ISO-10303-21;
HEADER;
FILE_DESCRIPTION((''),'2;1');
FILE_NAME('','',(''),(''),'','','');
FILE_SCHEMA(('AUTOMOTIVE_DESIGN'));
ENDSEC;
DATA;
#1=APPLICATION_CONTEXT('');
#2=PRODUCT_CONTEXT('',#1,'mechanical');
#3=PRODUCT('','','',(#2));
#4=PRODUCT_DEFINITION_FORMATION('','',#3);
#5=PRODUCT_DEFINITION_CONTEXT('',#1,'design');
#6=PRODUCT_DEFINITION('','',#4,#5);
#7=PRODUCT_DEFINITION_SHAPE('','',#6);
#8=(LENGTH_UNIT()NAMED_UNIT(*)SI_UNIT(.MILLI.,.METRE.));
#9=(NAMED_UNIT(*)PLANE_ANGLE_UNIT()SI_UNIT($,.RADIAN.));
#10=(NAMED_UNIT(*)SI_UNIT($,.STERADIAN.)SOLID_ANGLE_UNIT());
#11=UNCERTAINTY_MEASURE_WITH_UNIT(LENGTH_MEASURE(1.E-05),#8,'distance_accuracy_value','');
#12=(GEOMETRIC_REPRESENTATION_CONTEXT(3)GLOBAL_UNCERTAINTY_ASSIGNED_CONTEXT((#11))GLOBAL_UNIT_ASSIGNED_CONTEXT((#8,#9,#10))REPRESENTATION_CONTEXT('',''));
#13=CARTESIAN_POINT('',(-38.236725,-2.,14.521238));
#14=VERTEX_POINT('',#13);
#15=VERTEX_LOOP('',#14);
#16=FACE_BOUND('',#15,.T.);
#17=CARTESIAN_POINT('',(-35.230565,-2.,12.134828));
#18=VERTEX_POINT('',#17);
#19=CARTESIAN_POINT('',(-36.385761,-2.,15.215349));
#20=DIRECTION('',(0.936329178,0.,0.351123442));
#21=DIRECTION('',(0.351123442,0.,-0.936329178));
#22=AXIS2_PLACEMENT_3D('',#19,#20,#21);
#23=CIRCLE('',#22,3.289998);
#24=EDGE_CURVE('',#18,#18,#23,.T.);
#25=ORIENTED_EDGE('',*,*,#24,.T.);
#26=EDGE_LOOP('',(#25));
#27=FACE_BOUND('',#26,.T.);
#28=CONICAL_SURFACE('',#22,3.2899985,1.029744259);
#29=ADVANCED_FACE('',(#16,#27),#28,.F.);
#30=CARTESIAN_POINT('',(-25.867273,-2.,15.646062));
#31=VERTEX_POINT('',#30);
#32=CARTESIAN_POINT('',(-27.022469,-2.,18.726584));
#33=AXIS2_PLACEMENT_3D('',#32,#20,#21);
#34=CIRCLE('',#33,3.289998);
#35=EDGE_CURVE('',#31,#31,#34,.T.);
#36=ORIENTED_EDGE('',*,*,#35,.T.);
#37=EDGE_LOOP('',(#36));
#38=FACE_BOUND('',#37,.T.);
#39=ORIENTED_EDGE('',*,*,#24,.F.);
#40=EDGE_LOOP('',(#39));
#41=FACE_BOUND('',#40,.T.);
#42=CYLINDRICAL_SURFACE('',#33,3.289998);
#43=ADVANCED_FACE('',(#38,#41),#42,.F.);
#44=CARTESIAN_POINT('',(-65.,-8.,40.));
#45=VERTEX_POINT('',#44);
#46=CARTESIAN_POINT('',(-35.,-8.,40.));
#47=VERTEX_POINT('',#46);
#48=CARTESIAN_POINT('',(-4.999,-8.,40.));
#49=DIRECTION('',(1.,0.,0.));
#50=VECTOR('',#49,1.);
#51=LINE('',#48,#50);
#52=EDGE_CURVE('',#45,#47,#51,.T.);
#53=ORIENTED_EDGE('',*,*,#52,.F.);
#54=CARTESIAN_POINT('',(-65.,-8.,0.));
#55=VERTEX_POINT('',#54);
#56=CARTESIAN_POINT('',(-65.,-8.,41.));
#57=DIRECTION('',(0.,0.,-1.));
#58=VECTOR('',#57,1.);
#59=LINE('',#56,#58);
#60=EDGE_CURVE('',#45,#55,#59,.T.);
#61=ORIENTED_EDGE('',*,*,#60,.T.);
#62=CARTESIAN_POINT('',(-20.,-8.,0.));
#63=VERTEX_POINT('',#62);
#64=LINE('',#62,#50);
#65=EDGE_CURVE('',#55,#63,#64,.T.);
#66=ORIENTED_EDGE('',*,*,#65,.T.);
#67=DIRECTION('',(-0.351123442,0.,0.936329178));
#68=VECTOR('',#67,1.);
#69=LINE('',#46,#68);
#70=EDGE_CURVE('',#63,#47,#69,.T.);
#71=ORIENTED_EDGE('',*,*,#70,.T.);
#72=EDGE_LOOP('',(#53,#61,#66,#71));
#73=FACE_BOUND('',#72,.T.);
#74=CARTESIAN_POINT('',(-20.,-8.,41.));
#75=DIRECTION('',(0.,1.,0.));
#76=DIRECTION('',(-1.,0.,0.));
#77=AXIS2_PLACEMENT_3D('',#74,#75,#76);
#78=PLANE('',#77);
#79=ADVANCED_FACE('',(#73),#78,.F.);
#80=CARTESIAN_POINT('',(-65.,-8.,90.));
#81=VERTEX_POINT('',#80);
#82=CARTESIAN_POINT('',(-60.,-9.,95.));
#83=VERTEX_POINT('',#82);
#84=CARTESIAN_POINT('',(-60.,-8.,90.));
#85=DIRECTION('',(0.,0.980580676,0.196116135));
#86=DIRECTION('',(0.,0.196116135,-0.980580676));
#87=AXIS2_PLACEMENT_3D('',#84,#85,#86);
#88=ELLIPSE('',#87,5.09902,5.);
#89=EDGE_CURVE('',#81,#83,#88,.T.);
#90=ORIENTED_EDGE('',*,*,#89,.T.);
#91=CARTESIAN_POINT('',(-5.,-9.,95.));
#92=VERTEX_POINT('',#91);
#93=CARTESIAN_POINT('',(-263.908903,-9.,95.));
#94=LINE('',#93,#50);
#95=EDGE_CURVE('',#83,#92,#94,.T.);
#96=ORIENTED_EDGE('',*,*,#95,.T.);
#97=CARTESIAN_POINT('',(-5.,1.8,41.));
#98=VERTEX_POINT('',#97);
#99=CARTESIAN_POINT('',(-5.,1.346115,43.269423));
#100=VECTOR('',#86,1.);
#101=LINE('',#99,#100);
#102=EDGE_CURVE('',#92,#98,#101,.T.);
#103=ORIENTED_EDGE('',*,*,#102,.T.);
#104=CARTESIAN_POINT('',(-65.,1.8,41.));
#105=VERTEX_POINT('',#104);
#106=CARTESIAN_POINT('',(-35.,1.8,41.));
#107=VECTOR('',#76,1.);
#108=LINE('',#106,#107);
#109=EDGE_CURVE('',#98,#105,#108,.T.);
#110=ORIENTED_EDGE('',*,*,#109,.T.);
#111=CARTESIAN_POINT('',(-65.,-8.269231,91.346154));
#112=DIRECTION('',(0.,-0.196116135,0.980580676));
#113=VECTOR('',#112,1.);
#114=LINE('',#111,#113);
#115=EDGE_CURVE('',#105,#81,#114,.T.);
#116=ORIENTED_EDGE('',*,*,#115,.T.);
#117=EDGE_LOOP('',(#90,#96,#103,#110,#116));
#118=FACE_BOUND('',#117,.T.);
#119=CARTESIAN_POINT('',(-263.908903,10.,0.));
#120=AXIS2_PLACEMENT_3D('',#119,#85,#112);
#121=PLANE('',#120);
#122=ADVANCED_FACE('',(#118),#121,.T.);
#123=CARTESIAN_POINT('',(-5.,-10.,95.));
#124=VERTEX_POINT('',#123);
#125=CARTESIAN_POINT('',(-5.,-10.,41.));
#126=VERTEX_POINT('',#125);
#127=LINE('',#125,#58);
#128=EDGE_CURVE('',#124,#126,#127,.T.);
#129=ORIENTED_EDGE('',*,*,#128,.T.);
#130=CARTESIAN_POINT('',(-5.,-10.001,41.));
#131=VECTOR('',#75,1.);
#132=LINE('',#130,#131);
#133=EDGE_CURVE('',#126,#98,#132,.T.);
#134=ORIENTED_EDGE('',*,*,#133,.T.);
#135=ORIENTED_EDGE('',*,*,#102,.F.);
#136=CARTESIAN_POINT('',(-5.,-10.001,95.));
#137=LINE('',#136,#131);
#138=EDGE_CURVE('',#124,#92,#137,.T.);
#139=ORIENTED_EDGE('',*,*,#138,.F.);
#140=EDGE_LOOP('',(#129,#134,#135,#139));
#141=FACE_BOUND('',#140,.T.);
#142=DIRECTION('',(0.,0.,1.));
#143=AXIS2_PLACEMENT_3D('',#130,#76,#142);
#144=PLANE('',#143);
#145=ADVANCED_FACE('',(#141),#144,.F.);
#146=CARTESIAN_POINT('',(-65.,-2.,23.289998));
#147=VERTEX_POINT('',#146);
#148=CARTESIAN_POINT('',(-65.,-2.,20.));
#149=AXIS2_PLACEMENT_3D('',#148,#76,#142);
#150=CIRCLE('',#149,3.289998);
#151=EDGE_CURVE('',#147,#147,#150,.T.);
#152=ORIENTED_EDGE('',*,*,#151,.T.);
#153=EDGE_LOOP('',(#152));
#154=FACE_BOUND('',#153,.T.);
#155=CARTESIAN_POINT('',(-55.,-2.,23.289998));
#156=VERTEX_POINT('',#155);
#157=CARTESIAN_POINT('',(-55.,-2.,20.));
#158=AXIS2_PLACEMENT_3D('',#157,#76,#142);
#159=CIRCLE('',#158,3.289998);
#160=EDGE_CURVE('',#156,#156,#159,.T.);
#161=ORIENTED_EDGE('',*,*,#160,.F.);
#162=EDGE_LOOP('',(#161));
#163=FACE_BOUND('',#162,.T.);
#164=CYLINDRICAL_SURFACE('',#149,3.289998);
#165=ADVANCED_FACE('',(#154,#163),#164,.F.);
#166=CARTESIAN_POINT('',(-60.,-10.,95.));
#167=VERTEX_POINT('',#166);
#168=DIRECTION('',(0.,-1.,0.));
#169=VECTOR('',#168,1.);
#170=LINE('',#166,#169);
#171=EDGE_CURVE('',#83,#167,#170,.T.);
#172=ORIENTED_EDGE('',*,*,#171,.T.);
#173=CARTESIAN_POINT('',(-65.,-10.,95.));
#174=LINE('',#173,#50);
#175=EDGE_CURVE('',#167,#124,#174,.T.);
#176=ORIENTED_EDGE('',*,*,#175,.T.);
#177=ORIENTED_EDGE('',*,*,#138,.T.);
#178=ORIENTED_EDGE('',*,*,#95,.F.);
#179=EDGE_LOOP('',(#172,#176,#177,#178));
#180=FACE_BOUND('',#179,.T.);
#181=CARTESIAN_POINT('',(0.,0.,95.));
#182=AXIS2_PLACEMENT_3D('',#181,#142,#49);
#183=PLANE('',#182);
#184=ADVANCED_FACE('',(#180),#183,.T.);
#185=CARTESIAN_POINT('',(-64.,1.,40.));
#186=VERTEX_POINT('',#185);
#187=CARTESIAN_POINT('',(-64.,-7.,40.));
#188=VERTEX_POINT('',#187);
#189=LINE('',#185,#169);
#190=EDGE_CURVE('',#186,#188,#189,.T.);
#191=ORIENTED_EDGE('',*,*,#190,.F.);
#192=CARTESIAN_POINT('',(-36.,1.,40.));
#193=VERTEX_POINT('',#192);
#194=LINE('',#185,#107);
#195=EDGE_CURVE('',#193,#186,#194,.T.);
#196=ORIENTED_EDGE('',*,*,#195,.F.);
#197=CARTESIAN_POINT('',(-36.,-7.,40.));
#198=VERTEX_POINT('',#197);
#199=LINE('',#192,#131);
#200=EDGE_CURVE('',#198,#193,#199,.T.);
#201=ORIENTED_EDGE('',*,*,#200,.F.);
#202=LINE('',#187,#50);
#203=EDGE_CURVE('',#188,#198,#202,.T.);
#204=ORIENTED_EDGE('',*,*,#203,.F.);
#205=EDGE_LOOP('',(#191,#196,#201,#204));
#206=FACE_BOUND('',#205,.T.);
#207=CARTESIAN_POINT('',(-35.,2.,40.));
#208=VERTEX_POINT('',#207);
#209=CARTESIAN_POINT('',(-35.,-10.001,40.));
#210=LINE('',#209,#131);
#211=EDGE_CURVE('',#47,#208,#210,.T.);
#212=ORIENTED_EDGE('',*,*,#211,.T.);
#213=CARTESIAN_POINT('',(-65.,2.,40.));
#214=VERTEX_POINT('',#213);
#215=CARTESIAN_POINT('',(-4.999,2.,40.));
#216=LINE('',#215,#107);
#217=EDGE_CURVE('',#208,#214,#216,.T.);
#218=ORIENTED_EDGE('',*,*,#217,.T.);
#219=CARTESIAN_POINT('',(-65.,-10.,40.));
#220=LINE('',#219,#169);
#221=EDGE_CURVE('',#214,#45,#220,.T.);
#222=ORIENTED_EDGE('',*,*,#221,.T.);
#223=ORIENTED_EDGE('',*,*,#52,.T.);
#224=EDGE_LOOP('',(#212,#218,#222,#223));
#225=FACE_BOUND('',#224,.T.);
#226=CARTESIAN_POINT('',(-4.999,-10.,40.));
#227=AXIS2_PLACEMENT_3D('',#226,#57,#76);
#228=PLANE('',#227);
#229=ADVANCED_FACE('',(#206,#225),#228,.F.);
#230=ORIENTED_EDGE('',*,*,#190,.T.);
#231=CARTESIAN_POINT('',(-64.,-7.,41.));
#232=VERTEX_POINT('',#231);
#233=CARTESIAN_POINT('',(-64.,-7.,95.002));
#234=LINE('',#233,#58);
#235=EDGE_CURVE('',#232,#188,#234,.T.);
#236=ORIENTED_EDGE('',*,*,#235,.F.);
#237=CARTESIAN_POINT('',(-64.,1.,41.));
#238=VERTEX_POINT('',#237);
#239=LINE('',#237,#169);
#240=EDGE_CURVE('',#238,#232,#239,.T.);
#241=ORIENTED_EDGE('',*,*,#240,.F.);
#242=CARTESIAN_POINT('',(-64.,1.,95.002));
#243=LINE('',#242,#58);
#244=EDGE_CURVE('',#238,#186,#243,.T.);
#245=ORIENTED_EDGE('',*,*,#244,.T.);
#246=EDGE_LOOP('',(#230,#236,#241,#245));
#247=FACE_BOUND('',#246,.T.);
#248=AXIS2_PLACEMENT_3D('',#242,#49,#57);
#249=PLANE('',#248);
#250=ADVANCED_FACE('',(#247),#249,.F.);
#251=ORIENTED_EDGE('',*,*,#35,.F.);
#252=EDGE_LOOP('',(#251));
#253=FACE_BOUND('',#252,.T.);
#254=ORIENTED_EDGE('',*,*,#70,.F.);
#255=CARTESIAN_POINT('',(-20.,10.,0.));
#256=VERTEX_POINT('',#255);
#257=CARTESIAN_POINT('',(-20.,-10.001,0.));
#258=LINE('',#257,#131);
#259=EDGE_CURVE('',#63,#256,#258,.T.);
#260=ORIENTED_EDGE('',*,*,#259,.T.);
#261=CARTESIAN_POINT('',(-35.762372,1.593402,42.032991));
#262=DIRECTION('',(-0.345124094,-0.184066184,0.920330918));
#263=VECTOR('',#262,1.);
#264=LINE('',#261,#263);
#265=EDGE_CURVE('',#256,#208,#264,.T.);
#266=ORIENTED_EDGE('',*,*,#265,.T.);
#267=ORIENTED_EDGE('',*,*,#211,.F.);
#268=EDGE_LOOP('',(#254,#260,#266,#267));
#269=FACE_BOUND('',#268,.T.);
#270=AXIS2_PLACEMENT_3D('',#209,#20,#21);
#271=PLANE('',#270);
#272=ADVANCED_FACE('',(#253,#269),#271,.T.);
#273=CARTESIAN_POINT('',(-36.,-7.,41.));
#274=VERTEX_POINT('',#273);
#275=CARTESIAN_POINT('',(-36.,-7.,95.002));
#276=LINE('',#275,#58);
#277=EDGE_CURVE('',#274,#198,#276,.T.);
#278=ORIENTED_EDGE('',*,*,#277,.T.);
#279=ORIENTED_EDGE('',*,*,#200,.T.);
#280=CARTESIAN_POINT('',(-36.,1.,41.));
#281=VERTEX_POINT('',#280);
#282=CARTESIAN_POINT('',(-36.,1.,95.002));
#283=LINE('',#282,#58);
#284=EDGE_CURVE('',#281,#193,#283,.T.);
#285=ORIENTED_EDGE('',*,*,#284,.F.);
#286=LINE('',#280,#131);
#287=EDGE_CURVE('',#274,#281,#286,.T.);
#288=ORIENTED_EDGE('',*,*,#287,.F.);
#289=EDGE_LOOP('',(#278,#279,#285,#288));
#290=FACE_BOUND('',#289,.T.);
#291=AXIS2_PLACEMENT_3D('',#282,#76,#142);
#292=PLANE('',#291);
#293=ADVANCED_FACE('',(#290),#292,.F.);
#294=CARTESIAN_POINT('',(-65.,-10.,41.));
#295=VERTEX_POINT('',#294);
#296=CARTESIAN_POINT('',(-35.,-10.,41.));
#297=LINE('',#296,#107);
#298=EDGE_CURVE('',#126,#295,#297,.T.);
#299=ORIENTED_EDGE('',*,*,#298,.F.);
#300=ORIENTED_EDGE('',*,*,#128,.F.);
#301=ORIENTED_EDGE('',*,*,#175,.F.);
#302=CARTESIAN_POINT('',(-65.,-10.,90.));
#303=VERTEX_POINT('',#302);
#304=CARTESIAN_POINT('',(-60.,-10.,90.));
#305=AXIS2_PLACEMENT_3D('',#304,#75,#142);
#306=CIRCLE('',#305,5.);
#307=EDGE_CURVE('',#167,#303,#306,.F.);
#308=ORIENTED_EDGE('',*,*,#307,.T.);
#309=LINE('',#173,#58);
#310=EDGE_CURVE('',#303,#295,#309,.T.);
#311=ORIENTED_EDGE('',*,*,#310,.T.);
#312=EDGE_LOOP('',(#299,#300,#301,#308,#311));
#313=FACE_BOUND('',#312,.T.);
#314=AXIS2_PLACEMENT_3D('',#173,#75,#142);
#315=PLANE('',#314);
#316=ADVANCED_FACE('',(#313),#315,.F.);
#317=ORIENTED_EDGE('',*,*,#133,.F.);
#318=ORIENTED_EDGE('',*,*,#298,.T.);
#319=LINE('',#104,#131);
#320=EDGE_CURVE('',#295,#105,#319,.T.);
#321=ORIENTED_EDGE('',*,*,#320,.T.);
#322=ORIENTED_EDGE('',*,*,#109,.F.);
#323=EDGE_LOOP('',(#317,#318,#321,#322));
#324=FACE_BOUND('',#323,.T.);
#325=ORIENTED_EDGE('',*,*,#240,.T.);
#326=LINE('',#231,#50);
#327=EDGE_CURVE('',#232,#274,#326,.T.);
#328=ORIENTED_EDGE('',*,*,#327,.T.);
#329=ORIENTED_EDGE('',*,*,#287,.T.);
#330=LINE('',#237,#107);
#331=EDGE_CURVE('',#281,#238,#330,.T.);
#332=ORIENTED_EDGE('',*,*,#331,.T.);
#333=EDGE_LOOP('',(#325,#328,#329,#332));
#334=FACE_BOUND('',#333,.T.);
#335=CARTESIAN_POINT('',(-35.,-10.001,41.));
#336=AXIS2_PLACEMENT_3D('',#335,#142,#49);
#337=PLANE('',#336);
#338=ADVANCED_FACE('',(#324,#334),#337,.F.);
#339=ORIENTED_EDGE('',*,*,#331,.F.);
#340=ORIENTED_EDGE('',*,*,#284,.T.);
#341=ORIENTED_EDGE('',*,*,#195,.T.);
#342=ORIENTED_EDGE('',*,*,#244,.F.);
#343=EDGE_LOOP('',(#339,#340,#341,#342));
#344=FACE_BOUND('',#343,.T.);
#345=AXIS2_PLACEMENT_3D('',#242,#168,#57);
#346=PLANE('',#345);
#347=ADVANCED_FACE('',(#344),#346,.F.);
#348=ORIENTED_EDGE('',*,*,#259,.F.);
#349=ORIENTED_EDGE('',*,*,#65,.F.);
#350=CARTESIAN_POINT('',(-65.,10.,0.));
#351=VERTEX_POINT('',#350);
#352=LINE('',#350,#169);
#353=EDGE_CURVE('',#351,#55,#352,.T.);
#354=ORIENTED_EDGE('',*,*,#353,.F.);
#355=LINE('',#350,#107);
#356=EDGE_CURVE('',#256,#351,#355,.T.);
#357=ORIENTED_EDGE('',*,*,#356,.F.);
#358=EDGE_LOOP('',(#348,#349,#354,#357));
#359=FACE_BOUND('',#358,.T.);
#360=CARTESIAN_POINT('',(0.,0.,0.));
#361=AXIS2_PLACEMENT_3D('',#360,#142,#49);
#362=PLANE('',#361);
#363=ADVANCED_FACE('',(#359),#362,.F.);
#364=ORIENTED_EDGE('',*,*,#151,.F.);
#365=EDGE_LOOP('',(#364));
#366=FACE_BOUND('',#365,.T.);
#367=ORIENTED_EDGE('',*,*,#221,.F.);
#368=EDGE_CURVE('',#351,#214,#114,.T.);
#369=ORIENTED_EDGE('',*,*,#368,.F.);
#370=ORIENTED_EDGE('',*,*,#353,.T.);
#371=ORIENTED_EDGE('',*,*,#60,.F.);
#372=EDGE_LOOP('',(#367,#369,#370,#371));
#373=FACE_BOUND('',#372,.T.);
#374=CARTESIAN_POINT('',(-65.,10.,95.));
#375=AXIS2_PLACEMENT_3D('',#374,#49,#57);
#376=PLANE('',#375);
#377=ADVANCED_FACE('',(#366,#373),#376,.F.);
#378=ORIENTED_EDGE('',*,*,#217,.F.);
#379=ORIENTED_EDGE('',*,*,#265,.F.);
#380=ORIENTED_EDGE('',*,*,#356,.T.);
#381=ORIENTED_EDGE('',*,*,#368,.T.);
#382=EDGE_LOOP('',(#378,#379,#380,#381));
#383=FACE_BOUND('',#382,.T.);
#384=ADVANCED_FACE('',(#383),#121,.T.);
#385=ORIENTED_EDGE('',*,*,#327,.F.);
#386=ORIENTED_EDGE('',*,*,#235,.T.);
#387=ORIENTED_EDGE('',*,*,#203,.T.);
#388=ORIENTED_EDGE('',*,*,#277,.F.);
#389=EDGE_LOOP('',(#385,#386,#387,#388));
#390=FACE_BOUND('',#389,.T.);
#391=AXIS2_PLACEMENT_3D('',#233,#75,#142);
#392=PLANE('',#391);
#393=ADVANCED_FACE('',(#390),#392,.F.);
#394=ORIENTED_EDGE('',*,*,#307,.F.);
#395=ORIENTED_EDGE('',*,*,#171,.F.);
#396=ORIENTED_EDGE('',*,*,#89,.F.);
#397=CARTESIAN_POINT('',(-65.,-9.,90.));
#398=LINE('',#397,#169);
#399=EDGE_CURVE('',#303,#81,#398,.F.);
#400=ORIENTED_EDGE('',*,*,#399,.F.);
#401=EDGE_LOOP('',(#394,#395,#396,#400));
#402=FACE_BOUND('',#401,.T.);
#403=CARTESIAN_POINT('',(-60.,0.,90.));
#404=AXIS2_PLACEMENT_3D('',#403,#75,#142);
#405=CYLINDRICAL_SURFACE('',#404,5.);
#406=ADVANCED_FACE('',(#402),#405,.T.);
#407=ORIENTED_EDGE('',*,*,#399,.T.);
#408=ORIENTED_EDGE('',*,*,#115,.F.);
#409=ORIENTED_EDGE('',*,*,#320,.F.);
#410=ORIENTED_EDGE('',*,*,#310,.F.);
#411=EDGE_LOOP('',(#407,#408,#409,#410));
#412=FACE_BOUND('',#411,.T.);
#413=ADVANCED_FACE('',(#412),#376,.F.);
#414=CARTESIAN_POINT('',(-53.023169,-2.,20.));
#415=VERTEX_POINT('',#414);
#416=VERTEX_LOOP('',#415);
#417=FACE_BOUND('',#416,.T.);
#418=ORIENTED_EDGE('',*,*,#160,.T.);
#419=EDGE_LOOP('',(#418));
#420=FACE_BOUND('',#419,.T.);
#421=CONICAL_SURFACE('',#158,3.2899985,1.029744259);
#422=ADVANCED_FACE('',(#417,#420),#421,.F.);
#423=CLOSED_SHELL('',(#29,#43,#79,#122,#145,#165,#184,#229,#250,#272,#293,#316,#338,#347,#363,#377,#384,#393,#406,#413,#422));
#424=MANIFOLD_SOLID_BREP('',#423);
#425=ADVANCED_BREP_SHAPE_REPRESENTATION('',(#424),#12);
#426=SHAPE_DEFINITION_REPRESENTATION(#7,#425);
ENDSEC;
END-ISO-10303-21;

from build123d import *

# Parameters (mm, degrees)
ESBO_O1_W                                      = 130
ESBO_O1_H                                      = 20
RESSALTO_EXTRUS_O1_DEPTH                       = 95
CORTE_EXTRUS_O2_REACH                          = 22
CORTE_EXTRUS_O4_DEPTH                          = 1
CORTE_EXTRUS_O4_DEPTH_BACK                     = 61
BROCA_DE_ROSQUEAR_DE_CANO_PARA_TARRAXA_D_D     = 6.579997
BROCA_DE_ROSQUEAR_DE_CANO_PARA_TARRAXA_D_DEPTH = 10
BROCA_DE_ROSQUEAR_DE_CANO_PARA_TARRAXA_D_TIP   = 1.976830535
BROCA_DE_ROSQUEAR_DE_CANO_PARA_TARRA_2_D       = 6.579997
BROCA_DE_ROSQUEAR_DE_CANO_PARA_TARRA_2_DEPTH   = 10
BROCA_DE_ROSQUEAR_DE_CANO_PARA_TARRA_2_TIP     = 1.976830535
FILETE2_R                                      = 5
CORTE_EXTRUS_O10_REACH                         = 62
RESSALTO_EXTRUS_O2_REACH                       = 57
ESBO_O41_W                                     = 28
ESBO_O41_H                                     = 8
ESBO_O42_W                                     = 45
ESBO_O42_H                                     = 2
CORTE_EXTRUS_O11_DEPTH                         = 41


with BuildPart() as part:
    # Esboço1 → Ressalto-extrusão1 (new body)
    with BuildSketch(Plane.XY):
        Rectangle(ESBO_O1_W, ESBO_O1_H)
    extrude(amount=RESSALTO_EXTRUS_O1_DEPTH)

    # Esboço2 → Corte-extrusão2 (cut, up to next)
    with BuildSketch(Plane(origin=(0, 10, 0), x_dir=(1, 0, 0), z_dir=(0, 1, 0)), mode=Mode.PRIVATE) as corte_extrus_o2_sk1:
        Polygon((65, 0), (-20, 0), (-35, -40), (-35, -41), (-5, -41), (-5, -95), (65, -95), align=None)
    corte_extrus_o2_tool1 = extrude(corte_extrus_o2_sk1.sketch, amount=-CORTE_EXTRUS_O2_REACH, mode=Mode.PRIVATE) & part.part
    add(corte_extrus_o2_tool1.solids().sort_by_distance((24.261214, 10, 44.470976))[0], mode=Mode.SUBTRACT)

    # Esboço13 → Corte-extrusão4 (cut, two sides)
    with BuildSketch(Plane.ZY.offset(65)) as corte_extrus_o4_sk:
        Polygon((-200.200134404, 50.040026881), (0, 10), (95, -9), (295.200134404, -49.040026881), (375.280188165, 351.360241926), (-120.120080642, 450.440295688), align=None)
    extrude(amount=CORTE_EXTRUS_O4_DEPTH, mode=Mode.SUBTRACT)
    extrude(corte_extrus_o4_sk.sketch, amount=-CORTE_EXTRUS_O4_DEPTH_BACK, mode=Mode.SUBTRACT)

    # Broca de rosquear de cano para tarraxa d
    with Locations(Plane.ZY.offset(65)):
        with Locations((20, -2)):
            Hole(BROCA_DE_ROSQUEAR_DE_CANO_PARA_TARRAXA_D_D / 2, depth=BROCA_DE_ROSQUEAR_DE_CANO_PARA_TARRAXA_D_DEPTH)
            with Locations((0, 0, -(BROCA_DE_ROSQUEAR_DE_CANO_PARA_TARRAXA_D_DEPTH + BROCA_DE_ROSQUEAR_DE_CANO_PARA_TARRAXA_D_TIP / 2))):  # 118° drill point
                Cone(0, BROCA_DE_ROSQUEAR_DE_CANO_PARA_TARRAXA_D_D / 2, BROCA_DE_ROSQUEAR_DE_CANO_PARA_TARRAXA_D_TIP, mode=Mode.SUBTRACT)

    # Broca de rosquear de cano para tarra 2
    with Locations(Plane(origin=(-17.534246575, 0, -6.575342466), x_dir=(0.351123442, 0, -0.936329178), z_dir=(0.936329178, 0, 0.351123442))):
        with Locations((-27.022468832, -2)):
            Hole(BROCA_DE_ROSQUEAR_DE_CANO_PARA_TARRA_2_D / 2, depth=BROCA_DE_ROSQUEAR_DE_CANO_PARA_TARRA_2_DEPTH)
            with Locations((0, 0, -(BROCA_DE_ROSQUEAR_DE_CANO_PARA_TARRA_2_DEPTH + BROCA_DE_ROSQUEAR_DE_CANO_PARA_TARRA_2_TIP / 2))):  # 118° drill point
                Cone(0, BROCA_DE_ROSQUEAR_DE_CANO_PARA_TARRA_2_D / 2, BROCA_DE_ROSQUEAR_DE_CANO_PARA_TARRA_2_TIP, mode=Mode.SUBTRACT)

    # Filete2
    filete2_edges = [part.edges().sort_by_distance(p)[0] for p in [
        (-65, -9.5, 95),
    ]]
    fillet(filete2_edges, radius=FILETE2_R)

    # Esboço40 → Corte-extrusão10 (cut, up to next)
    with BuildSketch(Plane.ZY.offset(65), mode=Mode.PRIVATE) as corte_extrus_o10_sk1:
        Polygon((41, 1.8), (41, -10), (40, -10), (40, 2), align=None)
    corte_extrus_o10_tool1 = extrude(corte_extrus_o10_sk1.sketch, amount=-CORTE_EXTRUS_O10_REACH, mode=Mode.PRIVATE) & part.part
    add(corte_extrus_o10_tool1.solids().sort_by_distance((-65, -4.04986, 40.498599))[0], mode=Mode.SUBTRACT)

    # Esboço41 → Ressalto-extrusão2 (add, up to next)
    with BuildSketch(Plane.XY.offset(40), mode=Mode.PRIVATE) as ressalto_extrus_o2_sk1:
        with Locations((-50, -3)):
            Rectangle(ESBO_O41_W, ESBO_O41_H)
    ressalto_extrus_o2_tool1 = extrude(ressalto_extrus_o2_sk1.sketch, amount=RESSALTO_EXTRUS_O2_REACH, mode=Mode.PRIVATE) - part.part
    add(ressalto_extrus_o2_tool1.solids().sort_by_distance((-50, -3, 40))[0])

    # Esboço42 → Corte-extrusão11 (cut)
    with BuildSketch(Plane(origin=(0, 0, 0), x_dir=(-1, 0, 0), z_dir=(0, 0, -1))):
        with Locations((42.5, -9)):
            Rectangle(ESBO_O42_W, ESBO_O42_H)
    extrude(amount=-CORTE_EXTRUS_O11_DEPTH, mode=Mode.SUBTRACT)


solid = part.part
